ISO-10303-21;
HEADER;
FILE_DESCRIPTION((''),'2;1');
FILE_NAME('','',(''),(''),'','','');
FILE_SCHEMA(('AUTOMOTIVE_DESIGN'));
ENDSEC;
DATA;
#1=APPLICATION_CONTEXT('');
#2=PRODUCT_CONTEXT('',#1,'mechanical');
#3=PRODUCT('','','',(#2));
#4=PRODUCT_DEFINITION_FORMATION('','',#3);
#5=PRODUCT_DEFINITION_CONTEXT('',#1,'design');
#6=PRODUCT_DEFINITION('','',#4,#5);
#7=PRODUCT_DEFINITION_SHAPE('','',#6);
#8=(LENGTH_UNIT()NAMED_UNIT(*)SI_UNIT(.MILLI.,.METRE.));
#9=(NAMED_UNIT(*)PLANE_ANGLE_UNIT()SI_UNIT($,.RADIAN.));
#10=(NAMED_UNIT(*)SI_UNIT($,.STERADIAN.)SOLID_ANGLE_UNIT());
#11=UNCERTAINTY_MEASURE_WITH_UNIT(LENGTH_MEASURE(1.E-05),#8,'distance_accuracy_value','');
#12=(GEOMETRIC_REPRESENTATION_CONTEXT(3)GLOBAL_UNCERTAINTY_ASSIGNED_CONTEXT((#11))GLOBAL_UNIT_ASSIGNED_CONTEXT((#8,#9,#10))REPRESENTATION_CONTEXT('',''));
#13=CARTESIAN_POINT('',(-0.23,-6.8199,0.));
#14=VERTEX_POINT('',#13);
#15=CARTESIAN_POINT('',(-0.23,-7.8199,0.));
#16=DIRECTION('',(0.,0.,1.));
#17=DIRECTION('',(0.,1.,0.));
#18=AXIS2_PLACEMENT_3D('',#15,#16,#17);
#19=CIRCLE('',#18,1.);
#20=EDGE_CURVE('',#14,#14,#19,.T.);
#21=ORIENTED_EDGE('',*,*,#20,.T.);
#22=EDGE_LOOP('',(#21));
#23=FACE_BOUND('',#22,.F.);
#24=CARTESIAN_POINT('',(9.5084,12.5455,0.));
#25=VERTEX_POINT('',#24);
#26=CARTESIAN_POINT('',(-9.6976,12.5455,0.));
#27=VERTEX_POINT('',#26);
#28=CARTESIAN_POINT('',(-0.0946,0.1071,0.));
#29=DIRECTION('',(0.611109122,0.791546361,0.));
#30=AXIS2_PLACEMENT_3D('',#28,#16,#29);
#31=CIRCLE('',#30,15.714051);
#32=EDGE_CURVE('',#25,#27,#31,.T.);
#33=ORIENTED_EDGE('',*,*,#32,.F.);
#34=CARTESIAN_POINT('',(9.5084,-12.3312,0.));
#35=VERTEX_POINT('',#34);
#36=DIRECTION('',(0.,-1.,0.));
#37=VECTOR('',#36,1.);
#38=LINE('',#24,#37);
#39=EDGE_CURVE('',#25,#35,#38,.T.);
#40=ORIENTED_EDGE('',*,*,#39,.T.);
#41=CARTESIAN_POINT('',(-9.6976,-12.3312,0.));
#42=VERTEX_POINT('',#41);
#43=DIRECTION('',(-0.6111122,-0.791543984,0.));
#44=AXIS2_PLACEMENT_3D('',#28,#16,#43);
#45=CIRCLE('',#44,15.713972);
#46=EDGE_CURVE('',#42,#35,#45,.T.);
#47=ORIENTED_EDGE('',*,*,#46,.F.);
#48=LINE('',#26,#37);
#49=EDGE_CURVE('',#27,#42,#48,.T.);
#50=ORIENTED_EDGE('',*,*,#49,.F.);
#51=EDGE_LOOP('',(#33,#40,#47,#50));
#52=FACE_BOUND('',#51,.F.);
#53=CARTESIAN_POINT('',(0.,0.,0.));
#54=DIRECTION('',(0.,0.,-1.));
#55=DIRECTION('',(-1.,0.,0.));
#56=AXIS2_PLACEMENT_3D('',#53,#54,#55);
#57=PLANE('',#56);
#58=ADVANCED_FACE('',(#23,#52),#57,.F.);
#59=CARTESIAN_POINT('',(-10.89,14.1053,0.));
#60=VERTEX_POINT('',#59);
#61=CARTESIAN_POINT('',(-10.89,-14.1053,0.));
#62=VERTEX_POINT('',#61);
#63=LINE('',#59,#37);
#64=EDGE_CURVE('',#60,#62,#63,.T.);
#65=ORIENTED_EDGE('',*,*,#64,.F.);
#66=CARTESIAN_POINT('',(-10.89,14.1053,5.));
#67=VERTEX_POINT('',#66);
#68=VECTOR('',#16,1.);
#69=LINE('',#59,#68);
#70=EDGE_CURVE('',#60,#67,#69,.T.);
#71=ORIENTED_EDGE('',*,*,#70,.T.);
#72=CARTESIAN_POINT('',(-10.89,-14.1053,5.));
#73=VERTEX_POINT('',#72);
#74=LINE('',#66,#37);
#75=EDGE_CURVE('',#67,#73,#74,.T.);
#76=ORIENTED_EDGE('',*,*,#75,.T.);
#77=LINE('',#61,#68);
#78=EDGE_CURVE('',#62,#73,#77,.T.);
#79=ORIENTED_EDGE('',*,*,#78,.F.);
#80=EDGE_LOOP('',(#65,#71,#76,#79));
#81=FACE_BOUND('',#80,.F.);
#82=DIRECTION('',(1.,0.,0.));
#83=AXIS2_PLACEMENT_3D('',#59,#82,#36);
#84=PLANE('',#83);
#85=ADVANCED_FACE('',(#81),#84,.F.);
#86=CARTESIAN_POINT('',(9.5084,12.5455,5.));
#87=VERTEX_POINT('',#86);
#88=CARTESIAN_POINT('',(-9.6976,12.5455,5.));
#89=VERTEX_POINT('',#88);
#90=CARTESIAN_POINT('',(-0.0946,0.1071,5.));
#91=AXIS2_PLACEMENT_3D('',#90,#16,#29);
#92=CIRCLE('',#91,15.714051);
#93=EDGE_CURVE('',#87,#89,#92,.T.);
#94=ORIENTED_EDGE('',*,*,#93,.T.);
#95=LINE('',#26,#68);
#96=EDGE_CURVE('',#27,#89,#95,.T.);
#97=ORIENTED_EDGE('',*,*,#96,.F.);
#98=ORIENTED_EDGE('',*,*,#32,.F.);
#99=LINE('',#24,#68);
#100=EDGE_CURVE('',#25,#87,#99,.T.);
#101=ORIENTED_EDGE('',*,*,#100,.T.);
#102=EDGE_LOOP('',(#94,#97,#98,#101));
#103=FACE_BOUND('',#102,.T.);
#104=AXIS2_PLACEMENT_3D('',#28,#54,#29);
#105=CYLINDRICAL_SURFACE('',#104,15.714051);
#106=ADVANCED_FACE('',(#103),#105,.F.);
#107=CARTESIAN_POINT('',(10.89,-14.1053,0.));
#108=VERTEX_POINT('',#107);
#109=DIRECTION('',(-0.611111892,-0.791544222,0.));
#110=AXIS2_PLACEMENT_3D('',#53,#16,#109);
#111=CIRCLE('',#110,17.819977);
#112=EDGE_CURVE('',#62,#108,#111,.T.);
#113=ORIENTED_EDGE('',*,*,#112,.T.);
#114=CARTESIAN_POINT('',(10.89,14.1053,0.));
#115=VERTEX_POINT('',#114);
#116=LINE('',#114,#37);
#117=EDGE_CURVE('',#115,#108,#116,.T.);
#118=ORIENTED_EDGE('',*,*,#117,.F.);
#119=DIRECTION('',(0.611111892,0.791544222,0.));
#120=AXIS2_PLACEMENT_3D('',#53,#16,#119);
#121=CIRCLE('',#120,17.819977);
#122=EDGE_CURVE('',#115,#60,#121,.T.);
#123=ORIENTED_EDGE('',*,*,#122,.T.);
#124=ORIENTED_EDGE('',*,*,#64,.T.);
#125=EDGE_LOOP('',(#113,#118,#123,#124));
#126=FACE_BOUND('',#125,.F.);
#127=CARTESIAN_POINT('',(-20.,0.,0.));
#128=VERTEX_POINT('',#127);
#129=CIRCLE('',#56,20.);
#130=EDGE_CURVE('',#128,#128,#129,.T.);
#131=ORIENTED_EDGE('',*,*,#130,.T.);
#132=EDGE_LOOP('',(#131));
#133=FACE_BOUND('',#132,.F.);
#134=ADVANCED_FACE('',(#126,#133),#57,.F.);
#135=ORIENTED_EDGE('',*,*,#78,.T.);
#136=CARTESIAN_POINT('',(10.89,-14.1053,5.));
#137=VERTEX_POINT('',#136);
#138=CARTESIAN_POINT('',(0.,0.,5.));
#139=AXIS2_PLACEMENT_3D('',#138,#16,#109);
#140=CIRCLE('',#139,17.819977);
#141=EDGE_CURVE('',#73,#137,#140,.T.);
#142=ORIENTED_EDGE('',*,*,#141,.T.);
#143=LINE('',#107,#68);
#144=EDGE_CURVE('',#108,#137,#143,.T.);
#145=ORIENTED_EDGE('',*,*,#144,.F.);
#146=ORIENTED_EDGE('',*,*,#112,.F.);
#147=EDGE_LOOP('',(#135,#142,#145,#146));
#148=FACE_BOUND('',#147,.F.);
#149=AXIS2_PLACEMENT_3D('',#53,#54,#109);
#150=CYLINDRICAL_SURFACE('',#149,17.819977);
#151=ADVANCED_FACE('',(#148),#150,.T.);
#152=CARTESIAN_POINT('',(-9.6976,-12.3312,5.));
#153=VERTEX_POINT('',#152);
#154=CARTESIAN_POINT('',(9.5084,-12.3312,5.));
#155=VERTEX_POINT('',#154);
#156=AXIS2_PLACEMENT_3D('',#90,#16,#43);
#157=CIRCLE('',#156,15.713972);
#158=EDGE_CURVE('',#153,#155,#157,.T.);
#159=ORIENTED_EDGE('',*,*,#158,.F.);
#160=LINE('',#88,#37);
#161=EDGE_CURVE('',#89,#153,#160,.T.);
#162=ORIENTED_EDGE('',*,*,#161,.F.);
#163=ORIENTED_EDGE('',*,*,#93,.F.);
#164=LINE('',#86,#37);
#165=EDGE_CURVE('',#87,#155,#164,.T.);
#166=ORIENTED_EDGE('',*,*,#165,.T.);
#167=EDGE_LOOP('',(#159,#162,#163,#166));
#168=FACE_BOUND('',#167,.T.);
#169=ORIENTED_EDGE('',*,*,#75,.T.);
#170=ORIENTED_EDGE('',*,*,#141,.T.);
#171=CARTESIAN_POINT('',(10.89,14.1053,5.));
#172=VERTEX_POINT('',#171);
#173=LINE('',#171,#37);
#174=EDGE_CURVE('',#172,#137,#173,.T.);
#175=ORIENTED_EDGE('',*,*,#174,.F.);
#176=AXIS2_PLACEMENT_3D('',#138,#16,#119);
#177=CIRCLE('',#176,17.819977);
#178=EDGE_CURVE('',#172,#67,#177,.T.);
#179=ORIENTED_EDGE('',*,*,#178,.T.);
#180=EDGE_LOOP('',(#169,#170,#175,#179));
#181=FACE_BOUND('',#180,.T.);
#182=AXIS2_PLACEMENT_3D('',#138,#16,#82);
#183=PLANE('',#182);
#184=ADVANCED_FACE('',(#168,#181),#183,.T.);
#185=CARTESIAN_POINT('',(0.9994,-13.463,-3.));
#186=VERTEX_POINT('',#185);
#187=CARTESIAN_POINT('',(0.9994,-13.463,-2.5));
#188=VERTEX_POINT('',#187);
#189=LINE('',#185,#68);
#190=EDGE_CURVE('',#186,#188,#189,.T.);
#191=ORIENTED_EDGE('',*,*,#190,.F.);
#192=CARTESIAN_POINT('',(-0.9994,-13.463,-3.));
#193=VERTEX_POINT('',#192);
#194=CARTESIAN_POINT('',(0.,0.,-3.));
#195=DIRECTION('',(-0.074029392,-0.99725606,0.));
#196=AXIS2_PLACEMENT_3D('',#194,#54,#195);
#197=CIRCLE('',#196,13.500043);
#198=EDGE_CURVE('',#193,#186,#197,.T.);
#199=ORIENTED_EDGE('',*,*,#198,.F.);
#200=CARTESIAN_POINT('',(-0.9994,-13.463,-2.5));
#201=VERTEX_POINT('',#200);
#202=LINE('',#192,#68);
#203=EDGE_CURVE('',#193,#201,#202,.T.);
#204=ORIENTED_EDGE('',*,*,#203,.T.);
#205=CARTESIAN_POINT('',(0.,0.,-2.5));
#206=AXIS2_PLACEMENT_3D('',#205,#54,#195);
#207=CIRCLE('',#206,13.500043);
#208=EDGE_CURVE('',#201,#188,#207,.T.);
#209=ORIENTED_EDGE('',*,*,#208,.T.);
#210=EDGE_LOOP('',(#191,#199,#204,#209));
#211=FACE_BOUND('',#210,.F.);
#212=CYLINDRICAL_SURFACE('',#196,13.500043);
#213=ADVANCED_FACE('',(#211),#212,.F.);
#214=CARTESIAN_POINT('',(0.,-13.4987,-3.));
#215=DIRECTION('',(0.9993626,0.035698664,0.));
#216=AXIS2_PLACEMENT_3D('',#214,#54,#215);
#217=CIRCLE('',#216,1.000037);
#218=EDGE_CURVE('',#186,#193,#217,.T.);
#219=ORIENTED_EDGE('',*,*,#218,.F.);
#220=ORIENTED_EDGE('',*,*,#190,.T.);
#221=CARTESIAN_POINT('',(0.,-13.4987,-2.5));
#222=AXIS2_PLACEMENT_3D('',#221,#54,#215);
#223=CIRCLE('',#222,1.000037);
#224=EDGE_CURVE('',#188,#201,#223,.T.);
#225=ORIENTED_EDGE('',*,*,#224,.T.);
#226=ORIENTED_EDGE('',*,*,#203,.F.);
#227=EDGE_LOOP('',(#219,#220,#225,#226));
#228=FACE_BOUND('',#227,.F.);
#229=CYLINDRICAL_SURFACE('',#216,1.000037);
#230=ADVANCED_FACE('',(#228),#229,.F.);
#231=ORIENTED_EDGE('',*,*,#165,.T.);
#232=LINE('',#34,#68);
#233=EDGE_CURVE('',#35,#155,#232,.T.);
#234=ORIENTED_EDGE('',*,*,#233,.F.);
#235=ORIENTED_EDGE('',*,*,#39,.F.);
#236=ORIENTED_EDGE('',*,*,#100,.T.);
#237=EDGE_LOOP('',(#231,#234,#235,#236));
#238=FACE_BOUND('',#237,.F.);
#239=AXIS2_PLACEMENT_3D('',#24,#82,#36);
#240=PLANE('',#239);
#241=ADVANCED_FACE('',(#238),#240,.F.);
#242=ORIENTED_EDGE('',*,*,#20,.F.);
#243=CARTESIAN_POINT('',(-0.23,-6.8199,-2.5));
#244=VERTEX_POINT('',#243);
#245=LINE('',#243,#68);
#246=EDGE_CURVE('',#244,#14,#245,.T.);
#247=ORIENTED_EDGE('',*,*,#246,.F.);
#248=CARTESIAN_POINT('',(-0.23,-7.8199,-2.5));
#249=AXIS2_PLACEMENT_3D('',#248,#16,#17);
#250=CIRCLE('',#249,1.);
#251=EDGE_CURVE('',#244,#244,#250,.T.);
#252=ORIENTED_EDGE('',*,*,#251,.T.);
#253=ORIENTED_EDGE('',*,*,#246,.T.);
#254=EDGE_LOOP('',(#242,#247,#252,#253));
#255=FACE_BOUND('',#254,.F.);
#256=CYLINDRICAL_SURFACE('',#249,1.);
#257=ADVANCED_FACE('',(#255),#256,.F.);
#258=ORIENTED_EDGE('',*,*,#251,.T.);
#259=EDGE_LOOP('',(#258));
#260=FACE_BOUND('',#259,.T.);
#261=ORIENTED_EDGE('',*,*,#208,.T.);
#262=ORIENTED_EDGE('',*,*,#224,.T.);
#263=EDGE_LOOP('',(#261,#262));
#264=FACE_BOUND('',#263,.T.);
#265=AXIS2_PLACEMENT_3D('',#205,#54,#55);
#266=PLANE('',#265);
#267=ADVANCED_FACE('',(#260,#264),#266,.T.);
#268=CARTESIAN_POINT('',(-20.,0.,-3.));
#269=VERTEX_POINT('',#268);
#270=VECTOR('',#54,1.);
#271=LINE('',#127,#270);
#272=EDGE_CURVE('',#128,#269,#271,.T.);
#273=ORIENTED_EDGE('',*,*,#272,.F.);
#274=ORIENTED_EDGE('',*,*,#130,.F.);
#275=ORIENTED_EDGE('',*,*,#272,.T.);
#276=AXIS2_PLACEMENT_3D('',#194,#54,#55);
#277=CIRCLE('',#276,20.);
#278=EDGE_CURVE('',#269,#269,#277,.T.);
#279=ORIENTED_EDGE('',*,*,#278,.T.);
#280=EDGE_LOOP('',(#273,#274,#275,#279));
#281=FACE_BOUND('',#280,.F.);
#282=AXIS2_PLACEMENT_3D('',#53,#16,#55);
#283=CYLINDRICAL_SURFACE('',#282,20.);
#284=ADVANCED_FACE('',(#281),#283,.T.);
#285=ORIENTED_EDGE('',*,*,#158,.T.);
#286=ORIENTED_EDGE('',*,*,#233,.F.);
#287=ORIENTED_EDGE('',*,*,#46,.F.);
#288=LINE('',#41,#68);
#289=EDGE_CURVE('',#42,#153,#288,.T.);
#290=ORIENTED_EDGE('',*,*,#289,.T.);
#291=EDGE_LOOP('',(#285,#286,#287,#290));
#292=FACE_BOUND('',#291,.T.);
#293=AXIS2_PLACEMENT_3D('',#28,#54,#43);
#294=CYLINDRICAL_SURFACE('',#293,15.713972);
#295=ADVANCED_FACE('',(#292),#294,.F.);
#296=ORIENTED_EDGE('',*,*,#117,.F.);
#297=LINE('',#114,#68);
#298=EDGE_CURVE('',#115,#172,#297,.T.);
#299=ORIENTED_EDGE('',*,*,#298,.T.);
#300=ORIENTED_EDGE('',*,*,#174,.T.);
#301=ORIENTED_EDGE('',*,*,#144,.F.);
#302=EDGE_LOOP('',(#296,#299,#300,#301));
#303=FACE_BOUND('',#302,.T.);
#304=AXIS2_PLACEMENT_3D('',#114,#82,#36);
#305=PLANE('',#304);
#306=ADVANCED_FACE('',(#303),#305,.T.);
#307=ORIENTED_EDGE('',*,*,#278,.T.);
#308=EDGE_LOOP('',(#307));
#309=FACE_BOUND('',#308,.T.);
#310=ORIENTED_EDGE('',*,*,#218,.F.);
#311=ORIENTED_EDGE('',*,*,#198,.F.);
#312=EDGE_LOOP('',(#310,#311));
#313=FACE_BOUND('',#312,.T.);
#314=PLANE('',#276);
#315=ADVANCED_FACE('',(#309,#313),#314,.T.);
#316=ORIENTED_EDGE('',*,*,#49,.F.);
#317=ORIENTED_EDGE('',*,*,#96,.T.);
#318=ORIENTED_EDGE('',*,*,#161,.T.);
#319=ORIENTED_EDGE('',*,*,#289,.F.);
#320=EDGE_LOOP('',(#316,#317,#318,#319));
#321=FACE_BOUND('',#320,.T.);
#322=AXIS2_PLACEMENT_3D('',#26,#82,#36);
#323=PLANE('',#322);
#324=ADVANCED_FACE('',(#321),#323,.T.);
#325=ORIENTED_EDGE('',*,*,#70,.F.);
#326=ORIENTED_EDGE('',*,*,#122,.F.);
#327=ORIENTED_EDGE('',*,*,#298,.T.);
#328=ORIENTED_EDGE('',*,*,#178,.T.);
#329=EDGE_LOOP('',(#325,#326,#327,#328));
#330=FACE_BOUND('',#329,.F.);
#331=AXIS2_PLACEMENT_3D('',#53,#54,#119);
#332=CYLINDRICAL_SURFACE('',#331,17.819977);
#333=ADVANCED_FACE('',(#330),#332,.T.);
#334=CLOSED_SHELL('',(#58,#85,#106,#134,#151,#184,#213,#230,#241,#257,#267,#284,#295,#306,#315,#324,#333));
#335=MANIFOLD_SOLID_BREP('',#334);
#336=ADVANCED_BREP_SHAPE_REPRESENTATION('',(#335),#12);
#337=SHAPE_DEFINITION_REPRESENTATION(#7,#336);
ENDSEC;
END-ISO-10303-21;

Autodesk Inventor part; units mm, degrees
ref_plane "YZ Plane" through (0, 0, 0) normal (1, 0, 0) x (0, 1, 0)
ref_plane "XZ Plane" through (0, 0, 0) normal (0, 1, 0) x (-1, 0, 0)
ref_plane "XY Plane" through (0, 0, 0) normal (0, 0, 1) x (1, 0, 0)
sketch "Boceto1" plane through (0, 0, 0) normal (0, 0, 1) x (1, 0, 0)
  line L0 (13, 15.1987) -> (13, -15.1987)
  arc A0 (13, 15.1987) -> (-13, 15.1987) centre (0, 0) ccw
  line L1 (-10.89, 14.1053) -> (-10.89, -14.1053)
  arc A1 (10.89, 14.1053) -> (-10.89, 14.1053) centre (0, 0) ccw
  line L2 (-13, -15.1987) -> (-13, 15.1987)
  arc A2 (-10.89, -14.1053) -> (10.89, -14.1053) centre (0, 0) ccw
  arc A3 (-13, -15.1987) -> (13, -15.1987) centre (0, 0) ccw
  line L3 (10.89, 14.1053) -> (10.89, -14.1053)
  line L4 (-9.6976, 12.5455) -> (-9.6976, -12.3312)
  arc A4 (9.5084, 12.5455) -> (-9.6976, 12.5455) centre (-0.0946, 0.1071) ccw
  arc A5 (-9.6976, -12.3312) -> (9.5084, -12.3312) centre (-0.0946, 0.1071) ccw
  line L5 (9.5084, 12.5455) -> (9.5084, -12.3312)
extrude "Extrusión1" add sketch "Boceto1" along normal blind 5 contours A1 L3 A2 L1
sketch "Boceto2" plane through (0, 0, 0) normal (0, 0, -1) x (-1, 0, 0)
  arc A0 (-9.5084, -12.3312) -> (9.6976, -12.3312) centre (0.0946, 0.1071) ccw projected
  arc A1 (-10.89, -14.1053) -> (10.89, -14.1053) centre (0, 0) ccw projected
  arc A2 (13.13, 15.0742) -> (-12.87, 15.0742) centre (0.13, -0.1245) ccw
  arc A3 (-12.87, -15.0742) -> (12.87, -15.0742) centre (0, 0.2347) ccw
  circle A4 centre (0, 0) radius 20
  line L0 (-12.87, -15.0742) -> (-12.87, -12.3254)
  line L1 (-12.87, 12.3254) -> (-12.87, 15.0742)
  line L2 (12.87, 12.3254) -> (13, 9.0726)
  line L3 (12.87, -12.3254) -> (12.87, -15.0742)
  dimension "d2" = 40
extrude "Extrusión2" add sketch "Boceto2" along normal blind 3
sketch "Boceto3" plane through (0, 0, -3) normal (0, 0, -1) x (-1, 0, 0)
  arc A0 (0.9994, -13.463) -> (-0.9994, -13.463) centre (0, 0) ccw
  arc A1 (-0.9994, -13.463) -> (0.9994, -13.463) centre (0, -13.4987) ccw
  dimension "d5" = 27
  dimension "d6" = 2
extrude "Extrusión3" cut sketch "Boceto3" against normal blind 0.5
hole "Hole1" at (-0.23, -7.8199, -2.5) direction (0, 0, 1) diameter 2 end through all
equation "\"d16\" = Grosor"
equation "\"Radio_pliegue\" = Grosor"
equation "\"Anchura_desahogo_plegado\" = Grosor"
equation "\"Profundidad_desahogo_plegado\" = 0.5 * Grosor"
equation "\"Tamaño_destalonado\" = 4 * Grosor"
equation "\"Remanente_mínimo\" = 2 * Grosor"
equation "\"Radiodetransición\" = Radio_pliegue"
equation "\"Tamaño_de_radio_de_Jacobi\" = Radio_pliegue"
equation "\"TamañoSeparación\" = Grosor"
equation "\"Grosor\" = 0.5"
properties part number "Tapa 3"
